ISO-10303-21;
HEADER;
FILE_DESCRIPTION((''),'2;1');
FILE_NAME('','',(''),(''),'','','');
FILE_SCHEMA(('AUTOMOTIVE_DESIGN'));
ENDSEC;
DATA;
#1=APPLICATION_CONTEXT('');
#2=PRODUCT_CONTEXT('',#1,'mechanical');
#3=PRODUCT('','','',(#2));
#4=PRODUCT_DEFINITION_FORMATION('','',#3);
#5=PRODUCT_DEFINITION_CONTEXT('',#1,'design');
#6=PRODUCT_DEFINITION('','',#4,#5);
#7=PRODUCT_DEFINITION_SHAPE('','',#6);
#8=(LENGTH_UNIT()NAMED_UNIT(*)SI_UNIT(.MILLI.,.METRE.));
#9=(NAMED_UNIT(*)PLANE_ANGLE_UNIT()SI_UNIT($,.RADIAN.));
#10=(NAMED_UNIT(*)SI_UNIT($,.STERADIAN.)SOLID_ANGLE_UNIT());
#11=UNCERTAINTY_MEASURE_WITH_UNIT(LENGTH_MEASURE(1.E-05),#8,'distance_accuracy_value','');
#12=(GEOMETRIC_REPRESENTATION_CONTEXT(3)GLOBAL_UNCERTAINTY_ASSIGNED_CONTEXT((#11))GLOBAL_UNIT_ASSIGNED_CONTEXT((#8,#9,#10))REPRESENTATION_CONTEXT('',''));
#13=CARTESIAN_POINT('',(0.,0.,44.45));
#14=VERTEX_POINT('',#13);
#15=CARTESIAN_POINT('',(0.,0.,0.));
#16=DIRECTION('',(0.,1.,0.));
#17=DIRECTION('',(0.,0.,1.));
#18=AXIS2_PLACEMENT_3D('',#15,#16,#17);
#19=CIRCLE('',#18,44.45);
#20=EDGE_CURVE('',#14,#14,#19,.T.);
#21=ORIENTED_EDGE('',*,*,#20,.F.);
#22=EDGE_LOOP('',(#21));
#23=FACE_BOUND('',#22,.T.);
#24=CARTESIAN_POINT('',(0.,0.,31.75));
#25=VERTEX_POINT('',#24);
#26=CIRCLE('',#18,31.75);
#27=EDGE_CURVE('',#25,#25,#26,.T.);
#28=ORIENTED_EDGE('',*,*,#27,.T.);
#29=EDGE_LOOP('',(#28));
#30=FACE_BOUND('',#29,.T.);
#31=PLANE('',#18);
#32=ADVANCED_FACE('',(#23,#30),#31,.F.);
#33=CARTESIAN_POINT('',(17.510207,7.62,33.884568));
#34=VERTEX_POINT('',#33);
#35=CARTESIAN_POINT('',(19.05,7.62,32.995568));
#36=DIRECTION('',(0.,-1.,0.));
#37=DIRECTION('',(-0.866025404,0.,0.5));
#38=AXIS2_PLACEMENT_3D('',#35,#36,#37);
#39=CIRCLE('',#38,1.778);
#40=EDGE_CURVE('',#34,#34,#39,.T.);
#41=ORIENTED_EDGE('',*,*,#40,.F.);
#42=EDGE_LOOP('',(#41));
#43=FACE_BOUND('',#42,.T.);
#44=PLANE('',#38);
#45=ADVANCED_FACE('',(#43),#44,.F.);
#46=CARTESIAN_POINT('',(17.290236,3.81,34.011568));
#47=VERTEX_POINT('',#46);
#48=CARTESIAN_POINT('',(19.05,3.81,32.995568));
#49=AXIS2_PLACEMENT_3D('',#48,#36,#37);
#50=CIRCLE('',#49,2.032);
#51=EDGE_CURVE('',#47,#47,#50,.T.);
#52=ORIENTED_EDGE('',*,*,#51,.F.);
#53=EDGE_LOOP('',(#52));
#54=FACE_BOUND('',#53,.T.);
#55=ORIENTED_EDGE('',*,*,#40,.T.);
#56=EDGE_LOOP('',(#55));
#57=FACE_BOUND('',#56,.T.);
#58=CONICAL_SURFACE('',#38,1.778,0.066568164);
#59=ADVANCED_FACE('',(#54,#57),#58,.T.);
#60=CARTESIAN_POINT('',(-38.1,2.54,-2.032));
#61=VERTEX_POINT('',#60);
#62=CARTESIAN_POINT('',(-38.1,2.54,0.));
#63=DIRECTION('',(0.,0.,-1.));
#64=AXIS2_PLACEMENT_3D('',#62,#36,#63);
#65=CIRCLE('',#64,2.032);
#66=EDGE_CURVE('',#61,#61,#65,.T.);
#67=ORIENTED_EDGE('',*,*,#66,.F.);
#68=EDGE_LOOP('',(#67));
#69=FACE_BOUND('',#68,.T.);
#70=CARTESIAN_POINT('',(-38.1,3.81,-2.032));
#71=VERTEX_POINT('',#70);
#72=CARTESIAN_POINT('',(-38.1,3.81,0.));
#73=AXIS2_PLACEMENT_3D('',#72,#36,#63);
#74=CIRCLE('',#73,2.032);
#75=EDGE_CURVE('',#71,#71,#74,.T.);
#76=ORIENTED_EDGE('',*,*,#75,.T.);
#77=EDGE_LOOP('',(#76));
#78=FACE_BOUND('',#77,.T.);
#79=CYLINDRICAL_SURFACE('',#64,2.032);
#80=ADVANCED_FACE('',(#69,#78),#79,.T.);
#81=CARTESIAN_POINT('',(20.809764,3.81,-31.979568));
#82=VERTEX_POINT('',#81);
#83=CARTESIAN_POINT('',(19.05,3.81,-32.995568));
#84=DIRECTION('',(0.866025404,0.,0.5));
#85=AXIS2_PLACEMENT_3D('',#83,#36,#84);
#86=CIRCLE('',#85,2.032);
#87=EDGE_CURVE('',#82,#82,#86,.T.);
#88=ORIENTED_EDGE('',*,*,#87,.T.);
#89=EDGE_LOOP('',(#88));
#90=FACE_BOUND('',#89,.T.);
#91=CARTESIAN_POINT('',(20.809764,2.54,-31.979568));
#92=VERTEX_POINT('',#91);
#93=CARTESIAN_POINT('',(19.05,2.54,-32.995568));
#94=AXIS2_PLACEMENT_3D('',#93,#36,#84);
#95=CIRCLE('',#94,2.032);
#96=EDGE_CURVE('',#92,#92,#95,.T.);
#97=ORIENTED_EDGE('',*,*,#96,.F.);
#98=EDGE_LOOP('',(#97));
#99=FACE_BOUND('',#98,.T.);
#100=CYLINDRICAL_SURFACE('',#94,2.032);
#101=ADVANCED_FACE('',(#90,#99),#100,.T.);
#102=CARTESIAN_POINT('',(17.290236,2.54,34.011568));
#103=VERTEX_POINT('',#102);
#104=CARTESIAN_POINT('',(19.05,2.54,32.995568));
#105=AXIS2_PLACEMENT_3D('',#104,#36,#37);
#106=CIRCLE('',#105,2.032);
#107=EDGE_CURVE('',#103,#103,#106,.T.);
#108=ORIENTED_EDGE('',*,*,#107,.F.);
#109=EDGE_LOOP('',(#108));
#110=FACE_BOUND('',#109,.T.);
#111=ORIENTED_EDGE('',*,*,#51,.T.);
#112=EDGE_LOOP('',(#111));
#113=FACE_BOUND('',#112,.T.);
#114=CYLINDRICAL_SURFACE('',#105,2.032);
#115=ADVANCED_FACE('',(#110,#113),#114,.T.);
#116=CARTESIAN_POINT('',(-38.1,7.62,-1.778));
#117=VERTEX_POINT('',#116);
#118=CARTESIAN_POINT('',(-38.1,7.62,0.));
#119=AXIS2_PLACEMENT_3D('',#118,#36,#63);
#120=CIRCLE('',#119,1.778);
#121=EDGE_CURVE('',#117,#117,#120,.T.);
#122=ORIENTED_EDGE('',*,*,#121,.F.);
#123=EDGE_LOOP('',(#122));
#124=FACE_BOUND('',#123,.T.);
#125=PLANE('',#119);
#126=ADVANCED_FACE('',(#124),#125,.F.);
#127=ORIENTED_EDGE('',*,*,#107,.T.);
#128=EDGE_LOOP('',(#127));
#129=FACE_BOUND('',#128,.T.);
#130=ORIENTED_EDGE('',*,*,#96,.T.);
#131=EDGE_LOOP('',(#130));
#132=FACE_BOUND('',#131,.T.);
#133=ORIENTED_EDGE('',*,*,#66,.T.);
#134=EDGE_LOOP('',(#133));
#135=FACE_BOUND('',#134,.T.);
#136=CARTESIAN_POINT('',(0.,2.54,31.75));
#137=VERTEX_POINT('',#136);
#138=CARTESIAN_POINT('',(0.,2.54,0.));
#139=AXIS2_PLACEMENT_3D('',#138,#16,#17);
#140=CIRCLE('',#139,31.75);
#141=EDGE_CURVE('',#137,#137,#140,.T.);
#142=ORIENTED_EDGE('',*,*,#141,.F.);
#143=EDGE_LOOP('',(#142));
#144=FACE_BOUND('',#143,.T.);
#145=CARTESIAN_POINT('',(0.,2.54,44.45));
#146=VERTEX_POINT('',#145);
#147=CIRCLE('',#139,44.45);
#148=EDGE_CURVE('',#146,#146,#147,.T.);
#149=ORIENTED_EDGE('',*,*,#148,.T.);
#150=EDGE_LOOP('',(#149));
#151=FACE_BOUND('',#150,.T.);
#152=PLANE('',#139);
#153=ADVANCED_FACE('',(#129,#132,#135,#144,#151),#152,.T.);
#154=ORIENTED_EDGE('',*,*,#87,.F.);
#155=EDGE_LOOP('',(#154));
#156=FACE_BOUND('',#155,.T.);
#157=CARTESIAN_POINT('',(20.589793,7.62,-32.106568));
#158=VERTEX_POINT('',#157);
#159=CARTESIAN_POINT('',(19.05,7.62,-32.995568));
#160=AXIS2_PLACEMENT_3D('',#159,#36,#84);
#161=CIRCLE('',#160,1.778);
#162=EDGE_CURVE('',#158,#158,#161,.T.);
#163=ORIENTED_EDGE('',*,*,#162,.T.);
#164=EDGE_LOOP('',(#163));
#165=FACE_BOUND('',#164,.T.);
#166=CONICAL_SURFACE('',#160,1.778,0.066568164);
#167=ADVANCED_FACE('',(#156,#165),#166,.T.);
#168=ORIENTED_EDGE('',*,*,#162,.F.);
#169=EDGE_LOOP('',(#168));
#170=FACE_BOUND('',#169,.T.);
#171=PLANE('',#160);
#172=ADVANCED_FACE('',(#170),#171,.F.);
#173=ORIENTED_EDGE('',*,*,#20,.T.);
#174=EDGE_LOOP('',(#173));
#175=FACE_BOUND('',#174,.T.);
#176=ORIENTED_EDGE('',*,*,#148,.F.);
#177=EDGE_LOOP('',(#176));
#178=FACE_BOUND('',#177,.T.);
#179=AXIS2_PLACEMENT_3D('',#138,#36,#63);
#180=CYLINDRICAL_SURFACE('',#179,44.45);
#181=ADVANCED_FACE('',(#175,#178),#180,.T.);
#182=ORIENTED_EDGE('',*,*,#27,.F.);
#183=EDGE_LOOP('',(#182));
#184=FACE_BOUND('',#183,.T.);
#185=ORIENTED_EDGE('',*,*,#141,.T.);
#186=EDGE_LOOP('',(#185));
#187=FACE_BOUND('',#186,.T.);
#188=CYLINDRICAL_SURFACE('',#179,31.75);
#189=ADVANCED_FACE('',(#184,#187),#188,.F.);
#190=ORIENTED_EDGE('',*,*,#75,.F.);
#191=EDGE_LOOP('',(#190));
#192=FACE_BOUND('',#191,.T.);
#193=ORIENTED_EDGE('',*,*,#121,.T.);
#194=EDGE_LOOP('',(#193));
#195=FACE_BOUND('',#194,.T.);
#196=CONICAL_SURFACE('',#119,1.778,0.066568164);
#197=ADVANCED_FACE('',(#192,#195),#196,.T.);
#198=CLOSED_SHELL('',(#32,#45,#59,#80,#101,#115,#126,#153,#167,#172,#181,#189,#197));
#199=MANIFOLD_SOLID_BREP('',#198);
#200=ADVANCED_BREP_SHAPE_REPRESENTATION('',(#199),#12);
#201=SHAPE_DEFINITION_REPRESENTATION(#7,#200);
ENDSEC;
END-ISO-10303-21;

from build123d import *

# Parameters (mm, degrees)
SKETCH1_R           = 44.45
SKETCH1_R_2         = 31.75
BOSS_EXTRUDE1_DEPTH = 2.54
CIRPATTERN1_COUNT   = 3


with BuildPart() as part:
    # Sketch1 → Boss-Extrude1 (new body)
    with BuildSketch(Plane(origin=(0, 0, 0), x_dir=(1, 0, 0), z_dir=(0, 1, 0))):
        with Locations(Location((0, 0, 0), (0, 0, 270))):
            Circle(SKETCH1_R)
        with Locations(Location((0, 0, 0), (0, 0, 270))):
            Circle(SKETCH1_R_2, mode=Mode.SUBTRACT)
    extrude(amount=BOSS_EXTRUDE1_DEPTH)

    # Sketch4 → Revolve1 (revolve)
    with BuildSketch(Plane.XY, mode=Mode.PRIVATE) as revolve1_sk:
        Polygon((-38.1, 2.54), (-38.1, 7.62), (-39.878, 7.62), (-40.132, 3.81), (-40.132, 2.54), align=None)
    revolve1 = revolve(revolve1_sk.sketch.rotate(Axis((-38.1, 2.54, 0), (0, 1, 0)), 270), axis=Axis((-38.1, 2.54, 0), (0, 1, 0)))

    # CirPattern1: Revolve1 ×3 about axis
    cirpattern1_axis = Axis((0, 0, 0), (0, 1, 0))
    for i in range(1, CIRPATTERN1_COUNT):
        add(revolve1.rotate(cirpattern1_axis, i * 360 / CIRPATTERN1_COUNT))


solid = part.part
